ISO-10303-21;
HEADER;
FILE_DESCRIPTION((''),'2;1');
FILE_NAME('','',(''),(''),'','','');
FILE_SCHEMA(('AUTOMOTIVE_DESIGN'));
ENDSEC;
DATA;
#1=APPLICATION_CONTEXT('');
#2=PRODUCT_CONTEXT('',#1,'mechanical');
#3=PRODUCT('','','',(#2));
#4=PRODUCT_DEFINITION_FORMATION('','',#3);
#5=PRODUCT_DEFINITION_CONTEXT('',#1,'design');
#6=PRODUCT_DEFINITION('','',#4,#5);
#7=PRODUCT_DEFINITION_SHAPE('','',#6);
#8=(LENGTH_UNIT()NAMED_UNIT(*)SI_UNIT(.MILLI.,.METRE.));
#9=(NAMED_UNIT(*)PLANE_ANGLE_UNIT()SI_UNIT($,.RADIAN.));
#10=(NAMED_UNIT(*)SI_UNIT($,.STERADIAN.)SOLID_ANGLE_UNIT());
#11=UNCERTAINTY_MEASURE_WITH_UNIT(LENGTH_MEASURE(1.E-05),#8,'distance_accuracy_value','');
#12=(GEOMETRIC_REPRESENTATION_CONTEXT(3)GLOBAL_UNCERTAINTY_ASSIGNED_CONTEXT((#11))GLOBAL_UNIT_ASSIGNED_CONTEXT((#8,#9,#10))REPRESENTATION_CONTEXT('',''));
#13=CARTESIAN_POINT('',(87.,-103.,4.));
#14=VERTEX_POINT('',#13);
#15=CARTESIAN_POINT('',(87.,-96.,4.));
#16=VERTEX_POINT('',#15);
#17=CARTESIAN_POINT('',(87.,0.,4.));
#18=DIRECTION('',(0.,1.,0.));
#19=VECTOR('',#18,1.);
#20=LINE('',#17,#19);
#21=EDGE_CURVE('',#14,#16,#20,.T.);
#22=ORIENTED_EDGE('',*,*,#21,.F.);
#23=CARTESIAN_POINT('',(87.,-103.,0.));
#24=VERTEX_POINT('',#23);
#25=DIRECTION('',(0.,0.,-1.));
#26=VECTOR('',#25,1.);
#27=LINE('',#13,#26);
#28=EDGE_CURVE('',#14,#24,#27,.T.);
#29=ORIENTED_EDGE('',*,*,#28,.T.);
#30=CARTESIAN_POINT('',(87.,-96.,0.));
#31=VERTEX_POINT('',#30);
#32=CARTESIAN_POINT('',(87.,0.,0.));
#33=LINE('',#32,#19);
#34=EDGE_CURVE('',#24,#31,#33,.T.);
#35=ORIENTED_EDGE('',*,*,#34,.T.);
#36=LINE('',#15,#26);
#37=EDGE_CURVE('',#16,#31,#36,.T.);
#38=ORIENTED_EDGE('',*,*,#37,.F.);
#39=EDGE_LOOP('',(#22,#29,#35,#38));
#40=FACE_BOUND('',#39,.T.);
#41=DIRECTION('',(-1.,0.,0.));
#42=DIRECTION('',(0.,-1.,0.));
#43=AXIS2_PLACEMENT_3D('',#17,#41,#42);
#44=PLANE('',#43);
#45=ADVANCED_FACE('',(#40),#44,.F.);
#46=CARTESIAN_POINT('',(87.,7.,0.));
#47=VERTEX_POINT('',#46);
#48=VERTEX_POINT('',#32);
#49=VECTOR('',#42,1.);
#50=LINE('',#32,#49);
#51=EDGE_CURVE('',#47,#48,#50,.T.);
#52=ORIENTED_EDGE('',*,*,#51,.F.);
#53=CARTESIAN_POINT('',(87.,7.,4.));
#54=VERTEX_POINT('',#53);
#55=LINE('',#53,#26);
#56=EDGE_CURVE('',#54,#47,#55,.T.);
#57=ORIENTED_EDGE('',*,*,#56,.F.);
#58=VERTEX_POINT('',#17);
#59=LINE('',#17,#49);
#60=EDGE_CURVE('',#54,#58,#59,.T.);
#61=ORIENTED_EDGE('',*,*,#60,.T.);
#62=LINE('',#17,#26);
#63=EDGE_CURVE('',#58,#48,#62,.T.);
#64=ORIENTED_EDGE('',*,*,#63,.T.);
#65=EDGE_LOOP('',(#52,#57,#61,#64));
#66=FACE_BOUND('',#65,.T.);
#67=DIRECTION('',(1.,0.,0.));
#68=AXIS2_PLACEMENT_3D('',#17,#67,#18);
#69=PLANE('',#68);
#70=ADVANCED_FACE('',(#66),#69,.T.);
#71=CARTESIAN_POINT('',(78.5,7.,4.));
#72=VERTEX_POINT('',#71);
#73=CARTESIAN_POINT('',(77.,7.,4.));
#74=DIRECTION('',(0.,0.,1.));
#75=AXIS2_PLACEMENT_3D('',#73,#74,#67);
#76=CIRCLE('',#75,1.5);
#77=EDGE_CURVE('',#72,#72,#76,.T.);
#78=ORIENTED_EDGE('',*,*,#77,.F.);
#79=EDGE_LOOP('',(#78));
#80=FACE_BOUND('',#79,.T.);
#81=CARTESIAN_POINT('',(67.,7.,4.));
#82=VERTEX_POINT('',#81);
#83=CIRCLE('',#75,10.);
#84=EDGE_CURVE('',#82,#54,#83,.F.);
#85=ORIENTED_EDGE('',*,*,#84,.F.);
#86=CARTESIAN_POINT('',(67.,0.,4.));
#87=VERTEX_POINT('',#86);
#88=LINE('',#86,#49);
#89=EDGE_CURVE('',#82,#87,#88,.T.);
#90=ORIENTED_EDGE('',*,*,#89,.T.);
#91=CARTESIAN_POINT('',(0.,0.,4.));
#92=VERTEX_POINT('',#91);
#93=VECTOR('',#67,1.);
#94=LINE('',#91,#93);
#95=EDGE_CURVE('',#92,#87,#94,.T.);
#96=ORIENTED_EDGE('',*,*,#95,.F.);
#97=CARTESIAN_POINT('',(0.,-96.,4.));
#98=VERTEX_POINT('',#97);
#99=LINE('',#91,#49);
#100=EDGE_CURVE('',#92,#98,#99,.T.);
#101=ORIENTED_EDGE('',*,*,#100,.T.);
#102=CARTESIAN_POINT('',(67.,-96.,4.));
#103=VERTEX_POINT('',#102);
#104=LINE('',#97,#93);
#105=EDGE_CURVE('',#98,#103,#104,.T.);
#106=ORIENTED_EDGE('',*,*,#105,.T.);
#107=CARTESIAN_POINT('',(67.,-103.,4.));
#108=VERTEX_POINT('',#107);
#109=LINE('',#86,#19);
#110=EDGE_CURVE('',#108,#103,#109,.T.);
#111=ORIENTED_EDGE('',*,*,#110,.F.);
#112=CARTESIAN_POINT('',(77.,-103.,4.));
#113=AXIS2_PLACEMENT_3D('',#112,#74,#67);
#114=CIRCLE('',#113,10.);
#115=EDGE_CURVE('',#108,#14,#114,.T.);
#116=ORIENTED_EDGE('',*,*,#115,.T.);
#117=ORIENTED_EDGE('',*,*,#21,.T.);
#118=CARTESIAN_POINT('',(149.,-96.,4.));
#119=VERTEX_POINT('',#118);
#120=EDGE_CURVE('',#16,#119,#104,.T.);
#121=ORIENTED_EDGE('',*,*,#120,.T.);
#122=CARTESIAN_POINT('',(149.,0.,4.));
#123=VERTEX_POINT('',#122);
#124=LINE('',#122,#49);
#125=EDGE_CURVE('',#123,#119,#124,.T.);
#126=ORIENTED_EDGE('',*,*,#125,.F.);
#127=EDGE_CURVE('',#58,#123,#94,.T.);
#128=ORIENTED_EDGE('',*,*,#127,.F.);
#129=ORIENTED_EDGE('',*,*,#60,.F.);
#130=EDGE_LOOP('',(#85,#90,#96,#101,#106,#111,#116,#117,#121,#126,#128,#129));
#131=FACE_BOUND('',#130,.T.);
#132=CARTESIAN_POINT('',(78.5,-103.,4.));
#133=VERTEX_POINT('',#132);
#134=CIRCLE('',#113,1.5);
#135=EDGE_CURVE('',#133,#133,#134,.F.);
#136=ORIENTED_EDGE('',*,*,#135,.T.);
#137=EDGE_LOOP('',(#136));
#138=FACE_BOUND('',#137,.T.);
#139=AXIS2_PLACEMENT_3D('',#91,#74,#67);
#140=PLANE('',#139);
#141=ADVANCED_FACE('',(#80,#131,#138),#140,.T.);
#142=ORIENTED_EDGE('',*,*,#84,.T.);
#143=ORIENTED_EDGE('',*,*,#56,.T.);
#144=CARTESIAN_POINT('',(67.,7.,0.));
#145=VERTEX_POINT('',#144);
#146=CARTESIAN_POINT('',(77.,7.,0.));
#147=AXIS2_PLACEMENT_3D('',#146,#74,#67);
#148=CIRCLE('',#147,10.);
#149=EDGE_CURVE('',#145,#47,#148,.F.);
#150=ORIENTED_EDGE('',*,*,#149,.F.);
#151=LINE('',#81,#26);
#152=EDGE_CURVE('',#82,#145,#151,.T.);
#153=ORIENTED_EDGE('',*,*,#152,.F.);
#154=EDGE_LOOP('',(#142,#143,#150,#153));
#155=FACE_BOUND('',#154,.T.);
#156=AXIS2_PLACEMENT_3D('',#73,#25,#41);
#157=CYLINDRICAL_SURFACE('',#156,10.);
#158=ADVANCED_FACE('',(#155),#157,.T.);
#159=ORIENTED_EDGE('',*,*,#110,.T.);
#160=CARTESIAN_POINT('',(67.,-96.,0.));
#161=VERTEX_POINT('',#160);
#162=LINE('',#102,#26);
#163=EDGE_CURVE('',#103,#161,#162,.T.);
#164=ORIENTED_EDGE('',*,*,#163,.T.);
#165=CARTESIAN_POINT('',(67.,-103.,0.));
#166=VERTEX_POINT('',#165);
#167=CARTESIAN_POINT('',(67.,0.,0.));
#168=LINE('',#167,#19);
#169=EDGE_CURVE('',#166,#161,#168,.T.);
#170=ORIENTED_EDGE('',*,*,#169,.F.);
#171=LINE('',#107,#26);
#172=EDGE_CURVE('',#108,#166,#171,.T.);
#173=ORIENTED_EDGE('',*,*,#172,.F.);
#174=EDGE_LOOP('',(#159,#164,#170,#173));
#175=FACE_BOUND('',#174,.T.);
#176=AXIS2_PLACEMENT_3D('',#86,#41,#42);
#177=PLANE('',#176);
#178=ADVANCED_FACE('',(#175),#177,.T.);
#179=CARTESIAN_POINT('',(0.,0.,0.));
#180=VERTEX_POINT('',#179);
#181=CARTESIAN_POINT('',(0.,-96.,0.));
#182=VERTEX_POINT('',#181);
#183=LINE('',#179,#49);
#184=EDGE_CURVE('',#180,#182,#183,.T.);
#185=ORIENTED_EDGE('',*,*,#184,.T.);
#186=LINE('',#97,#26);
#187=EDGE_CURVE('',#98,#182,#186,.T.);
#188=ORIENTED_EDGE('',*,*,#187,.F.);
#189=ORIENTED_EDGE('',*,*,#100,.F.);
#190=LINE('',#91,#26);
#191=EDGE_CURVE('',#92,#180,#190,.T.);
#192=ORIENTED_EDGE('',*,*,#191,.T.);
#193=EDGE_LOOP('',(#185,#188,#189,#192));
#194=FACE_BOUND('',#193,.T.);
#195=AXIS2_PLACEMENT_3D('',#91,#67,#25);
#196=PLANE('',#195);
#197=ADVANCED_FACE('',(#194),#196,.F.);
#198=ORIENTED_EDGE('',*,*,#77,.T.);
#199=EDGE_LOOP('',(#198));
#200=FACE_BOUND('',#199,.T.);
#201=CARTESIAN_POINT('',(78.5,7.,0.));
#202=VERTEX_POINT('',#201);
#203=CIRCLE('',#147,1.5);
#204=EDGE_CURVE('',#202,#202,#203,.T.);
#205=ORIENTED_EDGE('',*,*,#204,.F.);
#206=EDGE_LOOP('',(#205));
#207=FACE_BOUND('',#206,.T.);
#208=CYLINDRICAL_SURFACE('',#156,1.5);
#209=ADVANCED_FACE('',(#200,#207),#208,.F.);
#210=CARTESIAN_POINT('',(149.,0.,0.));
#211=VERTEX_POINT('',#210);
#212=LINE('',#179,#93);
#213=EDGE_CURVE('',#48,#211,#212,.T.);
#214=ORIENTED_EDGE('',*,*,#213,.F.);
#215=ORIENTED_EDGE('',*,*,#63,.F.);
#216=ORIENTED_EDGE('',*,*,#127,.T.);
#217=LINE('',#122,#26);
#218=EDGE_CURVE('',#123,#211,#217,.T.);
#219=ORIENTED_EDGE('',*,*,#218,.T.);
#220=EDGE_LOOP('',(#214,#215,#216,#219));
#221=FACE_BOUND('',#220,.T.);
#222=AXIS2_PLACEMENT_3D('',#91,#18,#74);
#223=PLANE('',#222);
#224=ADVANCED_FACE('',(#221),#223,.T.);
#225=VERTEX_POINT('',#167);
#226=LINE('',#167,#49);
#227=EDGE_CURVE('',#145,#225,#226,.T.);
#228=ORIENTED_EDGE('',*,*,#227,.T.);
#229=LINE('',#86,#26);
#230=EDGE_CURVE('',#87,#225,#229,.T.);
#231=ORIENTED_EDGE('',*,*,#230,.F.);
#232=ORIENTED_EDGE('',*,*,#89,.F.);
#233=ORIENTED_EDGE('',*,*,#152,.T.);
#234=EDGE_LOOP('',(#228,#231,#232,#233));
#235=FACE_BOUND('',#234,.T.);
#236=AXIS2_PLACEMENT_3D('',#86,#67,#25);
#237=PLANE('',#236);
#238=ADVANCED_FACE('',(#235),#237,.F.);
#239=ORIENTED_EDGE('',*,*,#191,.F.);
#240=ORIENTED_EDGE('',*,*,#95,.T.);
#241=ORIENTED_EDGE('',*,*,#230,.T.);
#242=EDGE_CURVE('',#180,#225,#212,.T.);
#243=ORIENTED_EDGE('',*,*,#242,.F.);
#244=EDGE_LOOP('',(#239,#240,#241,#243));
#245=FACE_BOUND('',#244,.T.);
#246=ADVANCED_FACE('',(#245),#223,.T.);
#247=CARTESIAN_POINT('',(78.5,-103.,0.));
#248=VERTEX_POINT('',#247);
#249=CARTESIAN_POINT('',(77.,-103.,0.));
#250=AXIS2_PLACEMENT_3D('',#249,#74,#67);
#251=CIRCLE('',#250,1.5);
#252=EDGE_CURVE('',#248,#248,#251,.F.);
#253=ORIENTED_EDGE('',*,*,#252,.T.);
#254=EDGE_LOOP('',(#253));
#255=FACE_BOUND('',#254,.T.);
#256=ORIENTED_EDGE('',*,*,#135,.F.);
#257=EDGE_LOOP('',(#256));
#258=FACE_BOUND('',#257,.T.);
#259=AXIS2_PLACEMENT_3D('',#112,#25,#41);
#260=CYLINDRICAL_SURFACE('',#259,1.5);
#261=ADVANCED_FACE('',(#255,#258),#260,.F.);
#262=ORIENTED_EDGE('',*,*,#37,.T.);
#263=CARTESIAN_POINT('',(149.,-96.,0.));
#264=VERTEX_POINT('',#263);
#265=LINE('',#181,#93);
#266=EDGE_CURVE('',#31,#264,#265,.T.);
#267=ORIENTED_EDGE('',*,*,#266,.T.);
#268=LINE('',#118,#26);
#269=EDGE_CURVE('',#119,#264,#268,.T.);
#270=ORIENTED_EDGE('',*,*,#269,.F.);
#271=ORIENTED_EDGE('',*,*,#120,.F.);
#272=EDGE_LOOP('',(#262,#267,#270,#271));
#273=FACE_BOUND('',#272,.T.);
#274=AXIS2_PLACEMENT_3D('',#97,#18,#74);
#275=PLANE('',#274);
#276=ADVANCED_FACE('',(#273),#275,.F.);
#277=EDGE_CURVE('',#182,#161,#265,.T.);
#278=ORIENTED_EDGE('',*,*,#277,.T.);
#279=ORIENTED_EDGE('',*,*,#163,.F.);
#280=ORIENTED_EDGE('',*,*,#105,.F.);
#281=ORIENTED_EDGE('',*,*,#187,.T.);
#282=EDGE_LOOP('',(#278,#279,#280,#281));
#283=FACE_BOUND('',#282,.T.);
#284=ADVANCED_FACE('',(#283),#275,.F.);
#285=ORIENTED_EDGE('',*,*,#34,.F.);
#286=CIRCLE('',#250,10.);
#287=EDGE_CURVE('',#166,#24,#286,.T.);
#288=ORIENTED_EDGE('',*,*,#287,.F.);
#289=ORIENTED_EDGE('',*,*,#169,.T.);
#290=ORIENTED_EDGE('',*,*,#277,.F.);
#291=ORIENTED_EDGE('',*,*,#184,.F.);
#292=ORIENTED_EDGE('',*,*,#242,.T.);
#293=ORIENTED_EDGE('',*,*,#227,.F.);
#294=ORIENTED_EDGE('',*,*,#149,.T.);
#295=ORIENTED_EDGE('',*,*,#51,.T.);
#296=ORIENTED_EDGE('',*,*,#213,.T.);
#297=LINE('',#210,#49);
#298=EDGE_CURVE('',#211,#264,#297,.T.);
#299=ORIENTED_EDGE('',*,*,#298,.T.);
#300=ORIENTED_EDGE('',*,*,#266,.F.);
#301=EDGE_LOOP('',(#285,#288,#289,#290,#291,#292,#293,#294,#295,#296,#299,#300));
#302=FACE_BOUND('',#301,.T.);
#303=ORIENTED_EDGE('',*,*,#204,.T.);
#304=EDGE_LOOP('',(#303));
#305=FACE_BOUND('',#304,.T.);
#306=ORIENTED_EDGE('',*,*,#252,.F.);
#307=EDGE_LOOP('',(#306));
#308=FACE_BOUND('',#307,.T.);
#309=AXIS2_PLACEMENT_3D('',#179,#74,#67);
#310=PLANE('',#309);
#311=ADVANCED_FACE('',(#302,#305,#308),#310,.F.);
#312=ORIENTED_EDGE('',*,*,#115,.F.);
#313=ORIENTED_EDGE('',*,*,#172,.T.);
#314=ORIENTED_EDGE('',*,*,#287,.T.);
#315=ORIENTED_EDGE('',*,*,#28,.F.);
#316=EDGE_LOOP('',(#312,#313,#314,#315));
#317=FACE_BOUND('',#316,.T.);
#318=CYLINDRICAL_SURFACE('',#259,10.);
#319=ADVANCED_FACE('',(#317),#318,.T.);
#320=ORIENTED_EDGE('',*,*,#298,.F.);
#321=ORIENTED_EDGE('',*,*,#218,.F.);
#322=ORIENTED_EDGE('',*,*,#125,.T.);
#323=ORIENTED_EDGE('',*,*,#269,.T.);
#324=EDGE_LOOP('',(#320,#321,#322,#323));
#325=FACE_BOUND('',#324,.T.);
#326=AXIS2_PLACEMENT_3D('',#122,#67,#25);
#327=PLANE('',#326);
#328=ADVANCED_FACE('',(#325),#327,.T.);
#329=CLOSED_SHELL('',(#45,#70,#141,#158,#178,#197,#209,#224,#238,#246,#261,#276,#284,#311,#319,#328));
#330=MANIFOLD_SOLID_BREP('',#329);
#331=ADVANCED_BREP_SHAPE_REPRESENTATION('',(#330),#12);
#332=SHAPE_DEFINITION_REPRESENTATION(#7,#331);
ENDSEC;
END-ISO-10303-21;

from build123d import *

# Parameters (mm, degrees)
SKETCH1_R           = 1.5
BOSS_EXTRUDE1_DEPTH = 4


with BuildPart() as part:
    # Sketch1 → Boss-Extrude1 (new body)
    with BuildSketch(Plane.XY):
        with BuildLine():
            Line((0, 0), (0, -96))
            Line((0, -96), (67, -96))
            Line((67, -96), (67, -103))
            ThreePointArc((67, -103), (77, -113), (87, -103))
            Line((87, -103), (87, -96))
            Line((87, -96), (149, -96))
            Line((149, -96), (149, 0))
            Line((149, 0), (87, 0))
            Line((87, 0), (87, 7))
            ThreePointArc((87, 7), (77, 17), (67, 7))
            Line((67, 7), (67, 0))
            Line((67, 0), (0, 0))
        make_face()
        with Locations((77, -103)):
            Circle(SKETCH1_R, mode=Mode.SUBTRACT)
        with Locations((77, 7)):
            Circle(SKETCH1_R, mode=Mode.SUBTRACT)
    extrude(amount=BOSS_EXTRUDE1_DEPTH)


solid = part.part
